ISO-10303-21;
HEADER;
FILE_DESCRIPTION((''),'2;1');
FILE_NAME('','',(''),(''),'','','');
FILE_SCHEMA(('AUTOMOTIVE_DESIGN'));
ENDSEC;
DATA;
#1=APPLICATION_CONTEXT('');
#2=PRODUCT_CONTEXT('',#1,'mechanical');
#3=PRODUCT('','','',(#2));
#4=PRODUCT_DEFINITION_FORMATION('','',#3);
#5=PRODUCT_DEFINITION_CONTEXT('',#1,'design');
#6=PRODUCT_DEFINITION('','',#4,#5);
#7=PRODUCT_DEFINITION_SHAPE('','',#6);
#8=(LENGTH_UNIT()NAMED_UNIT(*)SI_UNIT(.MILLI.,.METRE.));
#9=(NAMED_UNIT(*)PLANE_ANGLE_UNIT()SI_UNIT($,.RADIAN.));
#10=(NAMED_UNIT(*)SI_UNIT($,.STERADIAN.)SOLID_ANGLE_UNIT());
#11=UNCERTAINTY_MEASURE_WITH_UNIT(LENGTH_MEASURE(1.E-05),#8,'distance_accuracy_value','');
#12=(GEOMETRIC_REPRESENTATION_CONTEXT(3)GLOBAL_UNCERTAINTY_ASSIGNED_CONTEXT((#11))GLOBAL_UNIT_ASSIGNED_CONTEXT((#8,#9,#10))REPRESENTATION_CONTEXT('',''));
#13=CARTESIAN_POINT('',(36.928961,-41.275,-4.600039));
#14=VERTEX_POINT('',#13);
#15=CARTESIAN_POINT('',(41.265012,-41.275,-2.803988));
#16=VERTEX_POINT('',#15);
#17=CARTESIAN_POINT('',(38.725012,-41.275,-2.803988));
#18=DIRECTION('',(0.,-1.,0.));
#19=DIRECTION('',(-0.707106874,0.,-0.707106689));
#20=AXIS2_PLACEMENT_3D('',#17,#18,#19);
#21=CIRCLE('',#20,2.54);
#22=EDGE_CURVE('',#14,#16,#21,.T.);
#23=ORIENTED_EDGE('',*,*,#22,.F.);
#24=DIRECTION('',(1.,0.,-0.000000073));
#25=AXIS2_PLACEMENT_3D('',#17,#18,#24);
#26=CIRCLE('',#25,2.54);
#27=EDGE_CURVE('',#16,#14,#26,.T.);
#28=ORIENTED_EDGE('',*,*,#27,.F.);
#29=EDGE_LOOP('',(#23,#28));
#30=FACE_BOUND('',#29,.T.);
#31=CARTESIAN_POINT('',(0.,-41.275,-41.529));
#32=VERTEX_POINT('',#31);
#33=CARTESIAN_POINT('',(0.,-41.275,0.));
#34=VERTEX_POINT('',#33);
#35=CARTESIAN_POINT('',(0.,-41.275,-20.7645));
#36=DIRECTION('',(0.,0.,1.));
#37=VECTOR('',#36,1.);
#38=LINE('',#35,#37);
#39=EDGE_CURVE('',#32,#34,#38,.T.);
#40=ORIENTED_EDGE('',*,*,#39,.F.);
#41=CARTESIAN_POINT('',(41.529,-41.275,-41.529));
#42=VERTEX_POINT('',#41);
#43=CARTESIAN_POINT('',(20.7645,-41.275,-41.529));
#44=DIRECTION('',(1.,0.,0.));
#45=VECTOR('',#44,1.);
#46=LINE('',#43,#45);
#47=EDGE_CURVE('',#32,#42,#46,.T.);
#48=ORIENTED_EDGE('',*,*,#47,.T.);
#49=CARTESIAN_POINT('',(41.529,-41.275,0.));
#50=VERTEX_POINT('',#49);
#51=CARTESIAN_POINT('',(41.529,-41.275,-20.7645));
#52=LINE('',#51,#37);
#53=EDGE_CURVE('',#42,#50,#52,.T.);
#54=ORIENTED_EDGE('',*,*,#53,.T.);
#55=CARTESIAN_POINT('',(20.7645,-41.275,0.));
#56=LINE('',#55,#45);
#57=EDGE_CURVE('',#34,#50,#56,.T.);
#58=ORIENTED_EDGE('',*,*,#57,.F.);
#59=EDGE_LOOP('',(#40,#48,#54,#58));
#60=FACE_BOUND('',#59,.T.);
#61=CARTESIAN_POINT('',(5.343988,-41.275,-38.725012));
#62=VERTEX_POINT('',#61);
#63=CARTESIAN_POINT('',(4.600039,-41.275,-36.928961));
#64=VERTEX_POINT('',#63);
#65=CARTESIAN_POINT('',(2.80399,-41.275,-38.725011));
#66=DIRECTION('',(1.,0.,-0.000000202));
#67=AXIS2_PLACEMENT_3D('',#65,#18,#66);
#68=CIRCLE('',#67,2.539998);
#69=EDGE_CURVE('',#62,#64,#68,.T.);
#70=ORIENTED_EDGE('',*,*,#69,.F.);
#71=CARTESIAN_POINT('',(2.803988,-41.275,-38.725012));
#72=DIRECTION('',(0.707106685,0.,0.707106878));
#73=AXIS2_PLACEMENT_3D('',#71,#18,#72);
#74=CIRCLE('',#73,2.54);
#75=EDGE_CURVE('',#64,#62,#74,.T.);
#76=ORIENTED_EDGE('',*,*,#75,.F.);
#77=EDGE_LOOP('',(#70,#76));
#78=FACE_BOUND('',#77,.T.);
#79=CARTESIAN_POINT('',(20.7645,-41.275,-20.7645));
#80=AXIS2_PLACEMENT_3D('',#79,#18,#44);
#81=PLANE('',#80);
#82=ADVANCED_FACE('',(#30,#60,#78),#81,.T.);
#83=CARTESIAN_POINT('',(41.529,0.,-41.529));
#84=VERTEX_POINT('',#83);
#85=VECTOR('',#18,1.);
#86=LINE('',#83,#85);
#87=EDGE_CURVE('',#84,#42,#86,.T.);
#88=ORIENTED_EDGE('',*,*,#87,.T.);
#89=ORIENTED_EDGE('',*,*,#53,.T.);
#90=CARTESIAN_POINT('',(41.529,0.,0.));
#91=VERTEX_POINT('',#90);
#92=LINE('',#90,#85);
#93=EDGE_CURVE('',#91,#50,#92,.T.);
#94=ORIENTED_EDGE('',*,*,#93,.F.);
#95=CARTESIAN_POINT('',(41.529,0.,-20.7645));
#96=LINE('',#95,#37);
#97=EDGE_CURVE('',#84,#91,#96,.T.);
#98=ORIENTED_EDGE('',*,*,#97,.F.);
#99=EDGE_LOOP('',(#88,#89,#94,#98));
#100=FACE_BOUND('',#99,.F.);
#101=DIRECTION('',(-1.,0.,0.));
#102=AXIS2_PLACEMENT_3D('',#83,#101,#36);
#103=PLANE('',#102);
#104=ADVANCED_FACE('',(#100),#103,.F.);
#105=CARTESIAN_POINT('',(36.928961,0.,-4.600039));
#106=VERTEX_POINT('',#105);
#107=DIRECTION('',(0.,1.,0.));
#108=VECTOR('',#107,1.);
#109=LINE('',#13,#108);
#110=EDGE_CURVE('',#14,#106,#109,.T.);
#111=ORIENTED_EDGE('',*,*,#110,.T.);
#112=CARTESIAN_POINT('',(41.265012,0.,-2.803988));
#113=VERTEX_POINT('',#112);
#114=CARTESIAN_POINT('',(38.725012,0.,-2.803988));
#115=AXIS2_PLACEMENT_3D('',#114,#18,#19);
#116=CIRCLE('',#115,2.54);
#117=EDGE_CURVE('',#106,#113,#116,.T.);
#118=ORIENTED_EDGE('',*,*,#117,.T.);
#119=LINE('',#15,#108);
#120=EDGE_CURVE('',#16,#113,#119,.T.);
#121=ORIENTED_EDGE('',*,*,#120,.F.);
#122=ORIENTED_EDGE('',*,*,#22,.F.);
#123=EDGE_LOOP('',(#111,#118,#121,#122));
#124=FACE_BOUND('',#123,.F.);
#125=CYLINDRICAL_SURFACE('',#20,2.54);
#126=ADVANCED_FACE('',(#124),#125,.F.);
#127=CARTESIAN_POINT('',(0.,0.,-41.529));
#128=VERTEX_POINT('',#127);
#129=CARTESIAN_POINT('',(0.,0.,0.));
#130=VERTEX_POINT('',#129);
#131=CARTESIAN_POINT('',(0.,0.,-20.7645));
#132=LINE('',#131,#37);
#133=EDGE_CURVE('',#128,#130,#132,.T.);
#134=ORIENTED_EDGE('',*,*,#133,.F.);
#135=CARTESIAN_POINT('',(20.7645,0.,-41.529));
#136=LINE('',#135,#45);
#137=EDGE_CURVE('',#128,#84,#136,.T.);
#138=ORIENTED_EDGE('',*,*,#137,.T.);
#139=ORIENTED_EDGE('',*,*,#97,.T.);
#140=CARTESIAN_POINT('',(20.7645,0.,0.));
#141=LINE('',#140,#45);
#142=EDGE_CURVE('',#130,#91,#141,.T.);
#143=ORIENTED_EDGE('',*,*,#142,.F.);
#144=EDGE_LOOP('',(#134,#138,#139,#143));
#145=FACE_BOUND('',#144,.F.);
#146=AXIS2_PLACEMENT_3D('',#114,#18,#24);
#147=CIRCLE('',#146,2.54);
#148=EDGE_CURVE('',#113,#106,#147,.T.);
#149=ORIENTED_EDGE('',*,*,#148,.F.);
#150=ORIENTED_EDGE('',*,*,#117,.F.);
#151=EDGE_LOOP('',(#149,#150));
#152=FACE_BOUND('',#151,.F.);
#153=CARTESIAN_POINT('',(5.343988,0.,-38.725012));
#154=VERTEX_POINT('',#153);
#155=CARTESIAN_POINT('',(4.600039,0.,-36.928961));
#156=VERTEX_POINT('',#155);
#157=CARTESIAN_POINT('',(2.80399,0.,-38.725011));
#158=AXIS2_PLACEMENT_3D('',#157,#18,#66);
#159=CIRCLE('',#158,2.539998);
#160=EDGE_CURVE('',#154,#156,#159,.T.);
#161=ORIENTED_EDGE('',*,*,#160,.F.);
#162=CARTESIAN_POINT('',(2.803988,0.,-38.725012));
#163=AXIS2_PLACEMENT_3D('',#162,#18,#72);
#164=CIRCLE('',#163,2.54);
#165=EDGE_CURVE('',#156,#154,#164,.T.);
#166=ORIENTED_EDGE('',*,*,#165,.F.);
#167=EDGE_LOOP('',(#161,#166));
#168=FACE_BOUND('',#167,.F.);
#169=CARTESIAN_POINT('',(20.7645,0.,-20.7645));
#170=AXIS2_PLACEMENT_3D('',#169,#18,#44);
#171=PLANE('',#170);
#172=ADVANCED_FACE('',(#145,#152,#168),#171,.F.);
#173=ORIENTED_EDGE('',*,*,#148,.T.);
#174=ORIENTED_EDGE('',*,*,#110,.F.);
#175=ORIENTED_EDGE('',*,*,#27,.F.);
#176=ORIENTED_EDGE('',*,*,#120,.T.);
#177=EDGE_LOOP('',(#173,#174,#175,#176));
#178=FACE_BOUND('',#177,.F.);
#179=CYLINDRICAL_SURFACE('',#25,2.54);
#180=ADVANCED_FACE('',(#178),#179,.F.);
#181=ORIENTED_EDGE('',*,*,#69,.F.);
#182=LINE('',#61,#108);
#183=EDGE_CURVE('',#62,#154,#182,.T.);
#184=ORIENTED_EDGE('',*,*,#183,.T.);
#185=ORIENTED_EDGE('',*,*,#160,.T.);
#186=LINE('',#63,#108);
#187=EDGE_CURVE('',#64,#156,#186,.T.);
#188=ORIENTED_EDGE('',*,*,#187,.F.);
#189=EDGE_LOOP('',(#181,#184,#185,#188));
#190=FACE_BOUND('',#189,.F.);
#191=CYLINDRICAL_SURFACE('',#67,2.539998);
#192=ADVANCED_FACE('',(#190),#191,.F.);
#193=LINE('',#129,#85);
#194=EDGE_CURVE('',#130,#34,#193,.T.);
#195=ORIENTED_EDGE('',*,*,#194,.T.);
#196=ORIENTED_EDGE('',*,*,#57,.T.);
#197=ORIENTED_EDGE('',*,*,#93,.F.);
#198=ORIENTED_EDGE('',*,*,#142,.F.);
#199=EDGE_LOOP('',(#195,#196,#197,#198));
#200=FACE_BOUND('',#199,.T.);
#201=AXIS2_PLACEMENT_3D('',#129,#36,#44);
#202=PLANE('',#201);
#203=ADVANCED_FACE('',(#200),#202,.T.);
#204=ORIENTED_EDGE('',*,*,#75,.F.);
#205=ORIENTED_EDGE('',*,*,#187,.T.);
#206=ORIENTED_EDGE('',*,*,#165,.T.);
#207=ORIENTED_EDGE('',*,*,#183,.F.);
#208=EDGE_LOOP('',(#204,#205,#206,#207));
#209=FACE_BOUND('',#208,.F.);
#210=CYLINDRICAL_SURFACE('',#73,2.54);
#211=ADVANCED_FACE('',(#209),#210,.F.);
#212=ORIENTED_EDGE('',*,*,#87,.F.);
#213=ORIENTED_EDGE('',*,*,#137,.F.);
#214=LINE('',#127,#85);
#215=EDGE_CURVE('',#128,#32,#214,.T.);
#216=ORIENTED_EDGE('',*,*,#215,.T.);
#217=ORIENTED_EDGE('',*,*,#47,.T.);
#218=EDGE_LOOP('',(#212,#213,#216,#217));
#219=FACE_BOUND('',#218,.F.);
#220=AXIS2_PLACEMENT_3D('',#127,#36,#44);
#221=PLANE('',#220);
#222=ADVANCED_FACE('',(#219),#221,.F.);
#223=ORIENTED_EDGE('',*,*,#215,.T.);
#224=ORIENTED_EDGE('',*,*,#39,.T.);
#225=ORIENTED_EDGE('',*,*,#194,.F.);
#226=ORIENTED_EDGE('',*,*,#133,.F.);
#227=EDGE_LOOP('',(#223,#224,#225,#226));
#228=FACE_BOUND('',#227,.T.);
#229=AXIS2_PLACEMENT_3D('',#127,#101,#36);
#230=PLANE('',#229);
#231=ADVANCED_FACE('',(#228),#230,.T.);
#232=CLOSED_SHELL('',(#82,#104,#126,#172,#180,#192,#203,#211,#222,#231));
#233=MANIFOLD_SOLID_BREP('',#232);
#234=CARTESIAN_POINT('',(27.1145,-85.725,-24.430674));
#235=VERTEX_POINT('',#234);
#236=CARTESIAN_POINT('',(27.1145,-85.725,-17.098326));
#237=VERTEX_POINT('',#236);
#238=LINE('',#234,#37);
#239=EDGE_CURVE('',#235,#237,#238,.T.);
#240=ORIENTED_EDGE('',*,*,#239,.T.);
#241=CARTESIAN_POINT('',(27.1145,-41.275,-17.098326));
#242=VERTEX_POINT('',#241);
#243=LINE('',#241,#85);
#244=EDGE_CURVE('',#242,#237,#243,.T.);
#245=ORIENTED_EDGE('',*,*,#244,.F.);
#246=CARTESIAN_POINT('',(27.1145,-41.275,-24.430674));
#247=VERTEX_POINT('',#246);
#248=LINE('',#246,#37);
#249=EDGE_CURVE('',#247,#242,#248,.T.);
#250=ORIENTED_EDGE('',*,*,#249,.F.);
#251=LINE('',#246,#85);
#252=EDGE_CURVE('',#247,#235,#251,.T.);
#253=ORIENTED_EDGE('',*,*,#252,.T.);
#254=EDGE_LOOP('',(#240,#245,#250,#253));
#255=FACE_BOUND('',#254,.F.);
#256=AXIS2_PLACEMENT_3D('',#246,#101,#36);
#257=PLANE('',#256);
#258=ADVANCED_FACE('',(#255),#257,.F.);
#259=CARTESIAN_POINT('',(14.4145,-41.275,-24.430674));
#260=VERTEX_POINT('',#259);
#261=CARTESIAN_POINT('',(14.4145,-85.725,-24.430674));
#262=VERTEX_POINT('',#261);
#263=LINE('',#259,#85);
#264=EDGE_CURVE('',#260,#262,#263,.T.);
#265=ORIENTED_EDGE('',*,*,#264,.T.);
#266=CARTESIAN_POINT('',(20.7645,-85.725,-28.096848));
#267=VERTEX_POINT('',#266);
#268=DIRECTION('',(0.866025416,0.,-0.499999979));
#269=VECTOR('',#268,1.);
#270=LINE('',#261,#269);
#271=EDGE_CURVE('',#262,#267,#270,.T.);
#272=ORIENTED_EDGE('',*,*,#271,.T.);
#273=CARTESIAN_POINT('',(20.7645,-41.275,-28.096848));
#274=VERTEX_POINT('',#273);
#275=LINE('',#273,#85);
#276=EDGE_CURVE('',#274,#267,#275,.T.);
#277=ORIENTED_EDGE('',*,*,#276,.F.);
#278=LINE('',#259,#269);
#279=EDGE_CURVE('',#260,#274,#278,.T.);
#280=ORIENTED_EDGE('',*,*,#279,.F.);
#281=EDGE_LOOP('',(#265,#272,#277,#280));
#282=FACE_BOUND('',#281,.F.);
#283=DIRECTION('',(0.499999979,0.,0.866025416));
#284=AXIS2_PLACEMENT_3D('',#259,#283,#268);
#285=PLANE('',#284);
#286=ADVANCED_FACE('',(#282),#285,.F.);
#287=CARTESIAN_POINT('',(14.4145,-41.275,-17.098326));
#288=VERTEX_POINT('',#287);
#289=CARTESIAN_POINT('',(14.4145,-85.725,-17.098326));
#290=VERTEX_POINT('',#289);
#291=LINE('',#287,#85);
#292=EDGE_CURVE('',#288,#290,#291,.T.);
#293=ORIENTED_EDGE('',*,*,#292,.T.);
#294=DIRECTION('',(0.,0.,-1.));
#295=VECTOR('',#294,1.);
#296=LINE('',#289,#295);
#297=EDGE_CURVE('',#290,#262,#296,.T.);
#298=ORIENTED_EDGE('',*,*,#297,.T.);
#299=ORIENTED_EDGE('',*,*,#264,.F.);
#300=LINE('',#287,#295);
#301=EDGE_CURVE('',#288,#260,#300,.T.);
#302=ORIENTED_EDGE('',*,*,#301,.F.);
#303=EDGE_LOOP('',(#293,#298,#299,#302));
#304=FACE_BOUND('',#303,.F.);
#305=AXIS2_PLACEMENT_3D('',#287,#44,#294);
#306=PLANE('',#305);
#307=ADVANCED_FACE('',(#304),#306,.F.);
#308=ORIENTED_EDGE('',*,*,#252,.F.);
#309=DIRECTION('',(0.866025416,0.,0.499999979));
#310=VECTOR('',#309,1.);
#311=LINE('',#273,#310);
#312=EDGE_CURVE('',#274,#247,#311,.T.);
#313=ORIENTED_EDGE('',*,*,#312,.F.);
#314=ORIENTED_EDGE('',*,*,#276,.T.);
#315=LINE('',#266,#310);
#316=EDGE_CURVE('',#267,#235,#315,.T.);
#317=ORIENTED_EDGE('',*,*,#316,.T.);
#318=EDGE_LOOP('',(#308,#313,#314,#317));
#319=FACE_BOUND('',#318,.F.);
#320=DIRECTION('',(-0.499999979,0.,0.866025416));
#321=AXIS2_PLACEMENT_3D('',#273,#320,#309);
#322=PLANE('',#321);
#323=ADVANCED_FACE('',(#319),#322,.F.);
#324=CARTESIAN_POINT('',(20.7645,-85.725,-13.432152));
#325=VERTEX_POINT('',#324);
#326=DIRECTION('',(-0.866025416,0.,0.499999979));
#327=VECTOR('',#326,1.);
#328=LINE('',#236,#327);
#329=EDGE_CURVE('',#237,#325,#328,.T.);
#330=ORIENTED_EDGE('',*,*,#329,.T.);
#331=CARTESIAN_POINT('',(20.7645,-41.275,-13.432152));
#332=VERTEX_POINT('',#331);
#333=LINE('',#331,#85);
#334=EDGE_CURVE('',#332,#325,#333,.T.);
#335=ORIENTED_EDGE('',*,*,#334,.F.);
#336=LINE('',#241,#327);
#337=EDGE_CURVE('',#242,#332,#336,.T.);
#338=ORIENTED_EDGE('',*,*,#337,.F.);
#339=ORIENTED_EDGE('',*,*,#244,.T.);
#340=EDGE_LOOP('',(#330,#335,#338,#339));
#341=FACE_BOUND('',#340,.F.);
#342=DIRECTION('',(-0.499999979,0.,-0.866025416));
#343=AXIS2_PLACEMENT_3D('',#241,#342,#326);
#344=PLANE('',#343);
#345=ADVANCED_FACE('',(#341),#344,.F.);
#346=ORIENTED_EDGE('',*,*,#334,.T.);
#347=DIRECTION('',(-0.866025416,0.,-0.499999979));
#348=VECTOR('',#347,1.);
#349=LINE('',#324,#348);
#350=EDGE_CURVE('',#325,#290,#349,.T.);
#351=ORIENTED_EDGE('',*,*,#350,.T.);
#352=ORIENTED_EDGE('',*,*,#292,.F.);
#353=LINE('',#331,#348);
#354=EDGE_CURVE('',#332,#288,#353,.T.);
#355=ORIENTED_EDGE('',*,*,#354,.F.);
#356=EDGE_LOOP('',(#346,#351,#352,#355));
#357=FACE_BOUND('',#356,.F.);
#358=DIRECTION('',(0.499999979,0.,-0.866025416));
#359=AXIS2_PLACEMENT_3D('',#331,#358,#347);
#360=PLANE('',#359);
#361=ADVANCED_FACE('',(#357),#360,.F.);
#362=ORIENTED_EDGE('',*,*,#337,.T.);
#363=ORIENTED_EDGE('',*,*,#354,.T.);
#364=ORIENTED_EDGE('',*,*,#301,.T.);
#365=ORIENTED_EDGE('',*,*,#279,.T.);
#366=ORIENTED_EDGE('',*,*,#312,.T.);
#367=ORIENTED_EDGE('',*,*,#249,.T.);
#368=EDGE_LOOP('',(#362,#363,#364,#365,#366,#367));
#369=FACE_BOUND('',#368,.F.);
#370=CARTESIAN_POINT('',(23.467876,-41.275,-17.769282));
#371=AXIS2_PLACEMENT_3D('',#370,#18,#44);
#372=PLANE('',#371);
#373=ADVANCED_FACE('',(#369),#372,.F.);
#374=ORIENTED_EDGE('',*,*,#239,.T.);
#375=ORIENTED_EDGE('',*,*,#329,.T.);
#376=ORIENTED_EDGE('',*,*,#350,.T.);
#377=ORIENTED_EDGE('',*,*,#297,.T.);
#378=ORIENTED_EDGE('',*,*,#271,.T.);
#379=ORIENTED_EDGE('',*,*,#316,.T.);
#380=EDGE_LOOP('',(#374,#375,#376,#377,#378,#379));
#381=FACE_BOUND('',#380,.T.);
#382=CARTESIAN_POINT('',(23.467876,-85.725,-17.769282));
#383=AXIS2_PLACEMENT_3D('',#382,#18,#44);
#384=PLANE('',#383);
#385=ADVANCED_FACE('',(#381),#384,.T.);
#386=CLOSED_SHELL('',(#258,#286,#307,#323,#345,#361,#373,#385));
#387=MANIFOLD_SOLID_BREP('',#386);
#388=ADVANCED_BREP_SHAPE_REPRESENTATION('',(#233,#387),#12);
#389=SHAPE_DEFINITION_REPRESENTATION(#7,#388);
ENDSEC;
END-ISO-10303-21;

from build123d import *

# Parameters (mm, degrees)
F0_W     = 41.529
F0_H     = 41.529
F1_DEPTH = 41.275
F3_DEPTH = 44.45
F5_DEPTH = 127


with BuildPart() as f1:
    # F0 (on Front) → F1 (new body)
    with BuildSketch(Plane.XZ):
        with Locations((20.7645, -20.7645)):
            Rectangle(F0_W, F0_H)
    extrude(amount=F1_DEPTH)

    # F4 (on face) → F5 (cut)
    with BuildSketch(Plane.XZ.offset(41.275)):
        with BuildLine():
            ThreePointArc((5.343988, -38.725012), (5.150642, -37.752996), (4.600039, -36.928961))
            ThreePointArc((4.600039, -36.928961), (0.457334, -39.697028), (5.343988, -38.725012))
        make_face()
        with BuildLine():
            ThreePointArc((36.928961, -4.600039), (39.697028, -5.150642), (41.265012, -2.803988))
            ThreePointArc((41.265012, -2.803988), (37.752996, -0.457334), (36.928961, -4.600039))
        make_face()
    extrude(amount=-F5_DEPTH, mode=Mode.SUBTRACT)


with BuildPart() as f3:
    # F2 (on face) → F3 (new body)
    with BuildSketch(Plane.XZ.offset(41.275)):
        Polygon((20.7645, -13.432152), (20.7645, -20.7645), (27.1145, -20.7645), (27.1145, -17.098326), align=None)
        Polygon((27.1145, -20.7645), (20.7645, -20.7645), (14.4145, -20.7645), (14.4145, -24.430674), (20.7645, -28.096848), (27.1145, -24.430674), align=None)
        Polygon((14.4145, -20.7645), (20.7645, -20.7645), (20.7645, -13.432152), (14.4145, -17.098326), align=None)
    extrude(amount=F3_DEPTH)


solid = Compound([f1.part, f3.part])
